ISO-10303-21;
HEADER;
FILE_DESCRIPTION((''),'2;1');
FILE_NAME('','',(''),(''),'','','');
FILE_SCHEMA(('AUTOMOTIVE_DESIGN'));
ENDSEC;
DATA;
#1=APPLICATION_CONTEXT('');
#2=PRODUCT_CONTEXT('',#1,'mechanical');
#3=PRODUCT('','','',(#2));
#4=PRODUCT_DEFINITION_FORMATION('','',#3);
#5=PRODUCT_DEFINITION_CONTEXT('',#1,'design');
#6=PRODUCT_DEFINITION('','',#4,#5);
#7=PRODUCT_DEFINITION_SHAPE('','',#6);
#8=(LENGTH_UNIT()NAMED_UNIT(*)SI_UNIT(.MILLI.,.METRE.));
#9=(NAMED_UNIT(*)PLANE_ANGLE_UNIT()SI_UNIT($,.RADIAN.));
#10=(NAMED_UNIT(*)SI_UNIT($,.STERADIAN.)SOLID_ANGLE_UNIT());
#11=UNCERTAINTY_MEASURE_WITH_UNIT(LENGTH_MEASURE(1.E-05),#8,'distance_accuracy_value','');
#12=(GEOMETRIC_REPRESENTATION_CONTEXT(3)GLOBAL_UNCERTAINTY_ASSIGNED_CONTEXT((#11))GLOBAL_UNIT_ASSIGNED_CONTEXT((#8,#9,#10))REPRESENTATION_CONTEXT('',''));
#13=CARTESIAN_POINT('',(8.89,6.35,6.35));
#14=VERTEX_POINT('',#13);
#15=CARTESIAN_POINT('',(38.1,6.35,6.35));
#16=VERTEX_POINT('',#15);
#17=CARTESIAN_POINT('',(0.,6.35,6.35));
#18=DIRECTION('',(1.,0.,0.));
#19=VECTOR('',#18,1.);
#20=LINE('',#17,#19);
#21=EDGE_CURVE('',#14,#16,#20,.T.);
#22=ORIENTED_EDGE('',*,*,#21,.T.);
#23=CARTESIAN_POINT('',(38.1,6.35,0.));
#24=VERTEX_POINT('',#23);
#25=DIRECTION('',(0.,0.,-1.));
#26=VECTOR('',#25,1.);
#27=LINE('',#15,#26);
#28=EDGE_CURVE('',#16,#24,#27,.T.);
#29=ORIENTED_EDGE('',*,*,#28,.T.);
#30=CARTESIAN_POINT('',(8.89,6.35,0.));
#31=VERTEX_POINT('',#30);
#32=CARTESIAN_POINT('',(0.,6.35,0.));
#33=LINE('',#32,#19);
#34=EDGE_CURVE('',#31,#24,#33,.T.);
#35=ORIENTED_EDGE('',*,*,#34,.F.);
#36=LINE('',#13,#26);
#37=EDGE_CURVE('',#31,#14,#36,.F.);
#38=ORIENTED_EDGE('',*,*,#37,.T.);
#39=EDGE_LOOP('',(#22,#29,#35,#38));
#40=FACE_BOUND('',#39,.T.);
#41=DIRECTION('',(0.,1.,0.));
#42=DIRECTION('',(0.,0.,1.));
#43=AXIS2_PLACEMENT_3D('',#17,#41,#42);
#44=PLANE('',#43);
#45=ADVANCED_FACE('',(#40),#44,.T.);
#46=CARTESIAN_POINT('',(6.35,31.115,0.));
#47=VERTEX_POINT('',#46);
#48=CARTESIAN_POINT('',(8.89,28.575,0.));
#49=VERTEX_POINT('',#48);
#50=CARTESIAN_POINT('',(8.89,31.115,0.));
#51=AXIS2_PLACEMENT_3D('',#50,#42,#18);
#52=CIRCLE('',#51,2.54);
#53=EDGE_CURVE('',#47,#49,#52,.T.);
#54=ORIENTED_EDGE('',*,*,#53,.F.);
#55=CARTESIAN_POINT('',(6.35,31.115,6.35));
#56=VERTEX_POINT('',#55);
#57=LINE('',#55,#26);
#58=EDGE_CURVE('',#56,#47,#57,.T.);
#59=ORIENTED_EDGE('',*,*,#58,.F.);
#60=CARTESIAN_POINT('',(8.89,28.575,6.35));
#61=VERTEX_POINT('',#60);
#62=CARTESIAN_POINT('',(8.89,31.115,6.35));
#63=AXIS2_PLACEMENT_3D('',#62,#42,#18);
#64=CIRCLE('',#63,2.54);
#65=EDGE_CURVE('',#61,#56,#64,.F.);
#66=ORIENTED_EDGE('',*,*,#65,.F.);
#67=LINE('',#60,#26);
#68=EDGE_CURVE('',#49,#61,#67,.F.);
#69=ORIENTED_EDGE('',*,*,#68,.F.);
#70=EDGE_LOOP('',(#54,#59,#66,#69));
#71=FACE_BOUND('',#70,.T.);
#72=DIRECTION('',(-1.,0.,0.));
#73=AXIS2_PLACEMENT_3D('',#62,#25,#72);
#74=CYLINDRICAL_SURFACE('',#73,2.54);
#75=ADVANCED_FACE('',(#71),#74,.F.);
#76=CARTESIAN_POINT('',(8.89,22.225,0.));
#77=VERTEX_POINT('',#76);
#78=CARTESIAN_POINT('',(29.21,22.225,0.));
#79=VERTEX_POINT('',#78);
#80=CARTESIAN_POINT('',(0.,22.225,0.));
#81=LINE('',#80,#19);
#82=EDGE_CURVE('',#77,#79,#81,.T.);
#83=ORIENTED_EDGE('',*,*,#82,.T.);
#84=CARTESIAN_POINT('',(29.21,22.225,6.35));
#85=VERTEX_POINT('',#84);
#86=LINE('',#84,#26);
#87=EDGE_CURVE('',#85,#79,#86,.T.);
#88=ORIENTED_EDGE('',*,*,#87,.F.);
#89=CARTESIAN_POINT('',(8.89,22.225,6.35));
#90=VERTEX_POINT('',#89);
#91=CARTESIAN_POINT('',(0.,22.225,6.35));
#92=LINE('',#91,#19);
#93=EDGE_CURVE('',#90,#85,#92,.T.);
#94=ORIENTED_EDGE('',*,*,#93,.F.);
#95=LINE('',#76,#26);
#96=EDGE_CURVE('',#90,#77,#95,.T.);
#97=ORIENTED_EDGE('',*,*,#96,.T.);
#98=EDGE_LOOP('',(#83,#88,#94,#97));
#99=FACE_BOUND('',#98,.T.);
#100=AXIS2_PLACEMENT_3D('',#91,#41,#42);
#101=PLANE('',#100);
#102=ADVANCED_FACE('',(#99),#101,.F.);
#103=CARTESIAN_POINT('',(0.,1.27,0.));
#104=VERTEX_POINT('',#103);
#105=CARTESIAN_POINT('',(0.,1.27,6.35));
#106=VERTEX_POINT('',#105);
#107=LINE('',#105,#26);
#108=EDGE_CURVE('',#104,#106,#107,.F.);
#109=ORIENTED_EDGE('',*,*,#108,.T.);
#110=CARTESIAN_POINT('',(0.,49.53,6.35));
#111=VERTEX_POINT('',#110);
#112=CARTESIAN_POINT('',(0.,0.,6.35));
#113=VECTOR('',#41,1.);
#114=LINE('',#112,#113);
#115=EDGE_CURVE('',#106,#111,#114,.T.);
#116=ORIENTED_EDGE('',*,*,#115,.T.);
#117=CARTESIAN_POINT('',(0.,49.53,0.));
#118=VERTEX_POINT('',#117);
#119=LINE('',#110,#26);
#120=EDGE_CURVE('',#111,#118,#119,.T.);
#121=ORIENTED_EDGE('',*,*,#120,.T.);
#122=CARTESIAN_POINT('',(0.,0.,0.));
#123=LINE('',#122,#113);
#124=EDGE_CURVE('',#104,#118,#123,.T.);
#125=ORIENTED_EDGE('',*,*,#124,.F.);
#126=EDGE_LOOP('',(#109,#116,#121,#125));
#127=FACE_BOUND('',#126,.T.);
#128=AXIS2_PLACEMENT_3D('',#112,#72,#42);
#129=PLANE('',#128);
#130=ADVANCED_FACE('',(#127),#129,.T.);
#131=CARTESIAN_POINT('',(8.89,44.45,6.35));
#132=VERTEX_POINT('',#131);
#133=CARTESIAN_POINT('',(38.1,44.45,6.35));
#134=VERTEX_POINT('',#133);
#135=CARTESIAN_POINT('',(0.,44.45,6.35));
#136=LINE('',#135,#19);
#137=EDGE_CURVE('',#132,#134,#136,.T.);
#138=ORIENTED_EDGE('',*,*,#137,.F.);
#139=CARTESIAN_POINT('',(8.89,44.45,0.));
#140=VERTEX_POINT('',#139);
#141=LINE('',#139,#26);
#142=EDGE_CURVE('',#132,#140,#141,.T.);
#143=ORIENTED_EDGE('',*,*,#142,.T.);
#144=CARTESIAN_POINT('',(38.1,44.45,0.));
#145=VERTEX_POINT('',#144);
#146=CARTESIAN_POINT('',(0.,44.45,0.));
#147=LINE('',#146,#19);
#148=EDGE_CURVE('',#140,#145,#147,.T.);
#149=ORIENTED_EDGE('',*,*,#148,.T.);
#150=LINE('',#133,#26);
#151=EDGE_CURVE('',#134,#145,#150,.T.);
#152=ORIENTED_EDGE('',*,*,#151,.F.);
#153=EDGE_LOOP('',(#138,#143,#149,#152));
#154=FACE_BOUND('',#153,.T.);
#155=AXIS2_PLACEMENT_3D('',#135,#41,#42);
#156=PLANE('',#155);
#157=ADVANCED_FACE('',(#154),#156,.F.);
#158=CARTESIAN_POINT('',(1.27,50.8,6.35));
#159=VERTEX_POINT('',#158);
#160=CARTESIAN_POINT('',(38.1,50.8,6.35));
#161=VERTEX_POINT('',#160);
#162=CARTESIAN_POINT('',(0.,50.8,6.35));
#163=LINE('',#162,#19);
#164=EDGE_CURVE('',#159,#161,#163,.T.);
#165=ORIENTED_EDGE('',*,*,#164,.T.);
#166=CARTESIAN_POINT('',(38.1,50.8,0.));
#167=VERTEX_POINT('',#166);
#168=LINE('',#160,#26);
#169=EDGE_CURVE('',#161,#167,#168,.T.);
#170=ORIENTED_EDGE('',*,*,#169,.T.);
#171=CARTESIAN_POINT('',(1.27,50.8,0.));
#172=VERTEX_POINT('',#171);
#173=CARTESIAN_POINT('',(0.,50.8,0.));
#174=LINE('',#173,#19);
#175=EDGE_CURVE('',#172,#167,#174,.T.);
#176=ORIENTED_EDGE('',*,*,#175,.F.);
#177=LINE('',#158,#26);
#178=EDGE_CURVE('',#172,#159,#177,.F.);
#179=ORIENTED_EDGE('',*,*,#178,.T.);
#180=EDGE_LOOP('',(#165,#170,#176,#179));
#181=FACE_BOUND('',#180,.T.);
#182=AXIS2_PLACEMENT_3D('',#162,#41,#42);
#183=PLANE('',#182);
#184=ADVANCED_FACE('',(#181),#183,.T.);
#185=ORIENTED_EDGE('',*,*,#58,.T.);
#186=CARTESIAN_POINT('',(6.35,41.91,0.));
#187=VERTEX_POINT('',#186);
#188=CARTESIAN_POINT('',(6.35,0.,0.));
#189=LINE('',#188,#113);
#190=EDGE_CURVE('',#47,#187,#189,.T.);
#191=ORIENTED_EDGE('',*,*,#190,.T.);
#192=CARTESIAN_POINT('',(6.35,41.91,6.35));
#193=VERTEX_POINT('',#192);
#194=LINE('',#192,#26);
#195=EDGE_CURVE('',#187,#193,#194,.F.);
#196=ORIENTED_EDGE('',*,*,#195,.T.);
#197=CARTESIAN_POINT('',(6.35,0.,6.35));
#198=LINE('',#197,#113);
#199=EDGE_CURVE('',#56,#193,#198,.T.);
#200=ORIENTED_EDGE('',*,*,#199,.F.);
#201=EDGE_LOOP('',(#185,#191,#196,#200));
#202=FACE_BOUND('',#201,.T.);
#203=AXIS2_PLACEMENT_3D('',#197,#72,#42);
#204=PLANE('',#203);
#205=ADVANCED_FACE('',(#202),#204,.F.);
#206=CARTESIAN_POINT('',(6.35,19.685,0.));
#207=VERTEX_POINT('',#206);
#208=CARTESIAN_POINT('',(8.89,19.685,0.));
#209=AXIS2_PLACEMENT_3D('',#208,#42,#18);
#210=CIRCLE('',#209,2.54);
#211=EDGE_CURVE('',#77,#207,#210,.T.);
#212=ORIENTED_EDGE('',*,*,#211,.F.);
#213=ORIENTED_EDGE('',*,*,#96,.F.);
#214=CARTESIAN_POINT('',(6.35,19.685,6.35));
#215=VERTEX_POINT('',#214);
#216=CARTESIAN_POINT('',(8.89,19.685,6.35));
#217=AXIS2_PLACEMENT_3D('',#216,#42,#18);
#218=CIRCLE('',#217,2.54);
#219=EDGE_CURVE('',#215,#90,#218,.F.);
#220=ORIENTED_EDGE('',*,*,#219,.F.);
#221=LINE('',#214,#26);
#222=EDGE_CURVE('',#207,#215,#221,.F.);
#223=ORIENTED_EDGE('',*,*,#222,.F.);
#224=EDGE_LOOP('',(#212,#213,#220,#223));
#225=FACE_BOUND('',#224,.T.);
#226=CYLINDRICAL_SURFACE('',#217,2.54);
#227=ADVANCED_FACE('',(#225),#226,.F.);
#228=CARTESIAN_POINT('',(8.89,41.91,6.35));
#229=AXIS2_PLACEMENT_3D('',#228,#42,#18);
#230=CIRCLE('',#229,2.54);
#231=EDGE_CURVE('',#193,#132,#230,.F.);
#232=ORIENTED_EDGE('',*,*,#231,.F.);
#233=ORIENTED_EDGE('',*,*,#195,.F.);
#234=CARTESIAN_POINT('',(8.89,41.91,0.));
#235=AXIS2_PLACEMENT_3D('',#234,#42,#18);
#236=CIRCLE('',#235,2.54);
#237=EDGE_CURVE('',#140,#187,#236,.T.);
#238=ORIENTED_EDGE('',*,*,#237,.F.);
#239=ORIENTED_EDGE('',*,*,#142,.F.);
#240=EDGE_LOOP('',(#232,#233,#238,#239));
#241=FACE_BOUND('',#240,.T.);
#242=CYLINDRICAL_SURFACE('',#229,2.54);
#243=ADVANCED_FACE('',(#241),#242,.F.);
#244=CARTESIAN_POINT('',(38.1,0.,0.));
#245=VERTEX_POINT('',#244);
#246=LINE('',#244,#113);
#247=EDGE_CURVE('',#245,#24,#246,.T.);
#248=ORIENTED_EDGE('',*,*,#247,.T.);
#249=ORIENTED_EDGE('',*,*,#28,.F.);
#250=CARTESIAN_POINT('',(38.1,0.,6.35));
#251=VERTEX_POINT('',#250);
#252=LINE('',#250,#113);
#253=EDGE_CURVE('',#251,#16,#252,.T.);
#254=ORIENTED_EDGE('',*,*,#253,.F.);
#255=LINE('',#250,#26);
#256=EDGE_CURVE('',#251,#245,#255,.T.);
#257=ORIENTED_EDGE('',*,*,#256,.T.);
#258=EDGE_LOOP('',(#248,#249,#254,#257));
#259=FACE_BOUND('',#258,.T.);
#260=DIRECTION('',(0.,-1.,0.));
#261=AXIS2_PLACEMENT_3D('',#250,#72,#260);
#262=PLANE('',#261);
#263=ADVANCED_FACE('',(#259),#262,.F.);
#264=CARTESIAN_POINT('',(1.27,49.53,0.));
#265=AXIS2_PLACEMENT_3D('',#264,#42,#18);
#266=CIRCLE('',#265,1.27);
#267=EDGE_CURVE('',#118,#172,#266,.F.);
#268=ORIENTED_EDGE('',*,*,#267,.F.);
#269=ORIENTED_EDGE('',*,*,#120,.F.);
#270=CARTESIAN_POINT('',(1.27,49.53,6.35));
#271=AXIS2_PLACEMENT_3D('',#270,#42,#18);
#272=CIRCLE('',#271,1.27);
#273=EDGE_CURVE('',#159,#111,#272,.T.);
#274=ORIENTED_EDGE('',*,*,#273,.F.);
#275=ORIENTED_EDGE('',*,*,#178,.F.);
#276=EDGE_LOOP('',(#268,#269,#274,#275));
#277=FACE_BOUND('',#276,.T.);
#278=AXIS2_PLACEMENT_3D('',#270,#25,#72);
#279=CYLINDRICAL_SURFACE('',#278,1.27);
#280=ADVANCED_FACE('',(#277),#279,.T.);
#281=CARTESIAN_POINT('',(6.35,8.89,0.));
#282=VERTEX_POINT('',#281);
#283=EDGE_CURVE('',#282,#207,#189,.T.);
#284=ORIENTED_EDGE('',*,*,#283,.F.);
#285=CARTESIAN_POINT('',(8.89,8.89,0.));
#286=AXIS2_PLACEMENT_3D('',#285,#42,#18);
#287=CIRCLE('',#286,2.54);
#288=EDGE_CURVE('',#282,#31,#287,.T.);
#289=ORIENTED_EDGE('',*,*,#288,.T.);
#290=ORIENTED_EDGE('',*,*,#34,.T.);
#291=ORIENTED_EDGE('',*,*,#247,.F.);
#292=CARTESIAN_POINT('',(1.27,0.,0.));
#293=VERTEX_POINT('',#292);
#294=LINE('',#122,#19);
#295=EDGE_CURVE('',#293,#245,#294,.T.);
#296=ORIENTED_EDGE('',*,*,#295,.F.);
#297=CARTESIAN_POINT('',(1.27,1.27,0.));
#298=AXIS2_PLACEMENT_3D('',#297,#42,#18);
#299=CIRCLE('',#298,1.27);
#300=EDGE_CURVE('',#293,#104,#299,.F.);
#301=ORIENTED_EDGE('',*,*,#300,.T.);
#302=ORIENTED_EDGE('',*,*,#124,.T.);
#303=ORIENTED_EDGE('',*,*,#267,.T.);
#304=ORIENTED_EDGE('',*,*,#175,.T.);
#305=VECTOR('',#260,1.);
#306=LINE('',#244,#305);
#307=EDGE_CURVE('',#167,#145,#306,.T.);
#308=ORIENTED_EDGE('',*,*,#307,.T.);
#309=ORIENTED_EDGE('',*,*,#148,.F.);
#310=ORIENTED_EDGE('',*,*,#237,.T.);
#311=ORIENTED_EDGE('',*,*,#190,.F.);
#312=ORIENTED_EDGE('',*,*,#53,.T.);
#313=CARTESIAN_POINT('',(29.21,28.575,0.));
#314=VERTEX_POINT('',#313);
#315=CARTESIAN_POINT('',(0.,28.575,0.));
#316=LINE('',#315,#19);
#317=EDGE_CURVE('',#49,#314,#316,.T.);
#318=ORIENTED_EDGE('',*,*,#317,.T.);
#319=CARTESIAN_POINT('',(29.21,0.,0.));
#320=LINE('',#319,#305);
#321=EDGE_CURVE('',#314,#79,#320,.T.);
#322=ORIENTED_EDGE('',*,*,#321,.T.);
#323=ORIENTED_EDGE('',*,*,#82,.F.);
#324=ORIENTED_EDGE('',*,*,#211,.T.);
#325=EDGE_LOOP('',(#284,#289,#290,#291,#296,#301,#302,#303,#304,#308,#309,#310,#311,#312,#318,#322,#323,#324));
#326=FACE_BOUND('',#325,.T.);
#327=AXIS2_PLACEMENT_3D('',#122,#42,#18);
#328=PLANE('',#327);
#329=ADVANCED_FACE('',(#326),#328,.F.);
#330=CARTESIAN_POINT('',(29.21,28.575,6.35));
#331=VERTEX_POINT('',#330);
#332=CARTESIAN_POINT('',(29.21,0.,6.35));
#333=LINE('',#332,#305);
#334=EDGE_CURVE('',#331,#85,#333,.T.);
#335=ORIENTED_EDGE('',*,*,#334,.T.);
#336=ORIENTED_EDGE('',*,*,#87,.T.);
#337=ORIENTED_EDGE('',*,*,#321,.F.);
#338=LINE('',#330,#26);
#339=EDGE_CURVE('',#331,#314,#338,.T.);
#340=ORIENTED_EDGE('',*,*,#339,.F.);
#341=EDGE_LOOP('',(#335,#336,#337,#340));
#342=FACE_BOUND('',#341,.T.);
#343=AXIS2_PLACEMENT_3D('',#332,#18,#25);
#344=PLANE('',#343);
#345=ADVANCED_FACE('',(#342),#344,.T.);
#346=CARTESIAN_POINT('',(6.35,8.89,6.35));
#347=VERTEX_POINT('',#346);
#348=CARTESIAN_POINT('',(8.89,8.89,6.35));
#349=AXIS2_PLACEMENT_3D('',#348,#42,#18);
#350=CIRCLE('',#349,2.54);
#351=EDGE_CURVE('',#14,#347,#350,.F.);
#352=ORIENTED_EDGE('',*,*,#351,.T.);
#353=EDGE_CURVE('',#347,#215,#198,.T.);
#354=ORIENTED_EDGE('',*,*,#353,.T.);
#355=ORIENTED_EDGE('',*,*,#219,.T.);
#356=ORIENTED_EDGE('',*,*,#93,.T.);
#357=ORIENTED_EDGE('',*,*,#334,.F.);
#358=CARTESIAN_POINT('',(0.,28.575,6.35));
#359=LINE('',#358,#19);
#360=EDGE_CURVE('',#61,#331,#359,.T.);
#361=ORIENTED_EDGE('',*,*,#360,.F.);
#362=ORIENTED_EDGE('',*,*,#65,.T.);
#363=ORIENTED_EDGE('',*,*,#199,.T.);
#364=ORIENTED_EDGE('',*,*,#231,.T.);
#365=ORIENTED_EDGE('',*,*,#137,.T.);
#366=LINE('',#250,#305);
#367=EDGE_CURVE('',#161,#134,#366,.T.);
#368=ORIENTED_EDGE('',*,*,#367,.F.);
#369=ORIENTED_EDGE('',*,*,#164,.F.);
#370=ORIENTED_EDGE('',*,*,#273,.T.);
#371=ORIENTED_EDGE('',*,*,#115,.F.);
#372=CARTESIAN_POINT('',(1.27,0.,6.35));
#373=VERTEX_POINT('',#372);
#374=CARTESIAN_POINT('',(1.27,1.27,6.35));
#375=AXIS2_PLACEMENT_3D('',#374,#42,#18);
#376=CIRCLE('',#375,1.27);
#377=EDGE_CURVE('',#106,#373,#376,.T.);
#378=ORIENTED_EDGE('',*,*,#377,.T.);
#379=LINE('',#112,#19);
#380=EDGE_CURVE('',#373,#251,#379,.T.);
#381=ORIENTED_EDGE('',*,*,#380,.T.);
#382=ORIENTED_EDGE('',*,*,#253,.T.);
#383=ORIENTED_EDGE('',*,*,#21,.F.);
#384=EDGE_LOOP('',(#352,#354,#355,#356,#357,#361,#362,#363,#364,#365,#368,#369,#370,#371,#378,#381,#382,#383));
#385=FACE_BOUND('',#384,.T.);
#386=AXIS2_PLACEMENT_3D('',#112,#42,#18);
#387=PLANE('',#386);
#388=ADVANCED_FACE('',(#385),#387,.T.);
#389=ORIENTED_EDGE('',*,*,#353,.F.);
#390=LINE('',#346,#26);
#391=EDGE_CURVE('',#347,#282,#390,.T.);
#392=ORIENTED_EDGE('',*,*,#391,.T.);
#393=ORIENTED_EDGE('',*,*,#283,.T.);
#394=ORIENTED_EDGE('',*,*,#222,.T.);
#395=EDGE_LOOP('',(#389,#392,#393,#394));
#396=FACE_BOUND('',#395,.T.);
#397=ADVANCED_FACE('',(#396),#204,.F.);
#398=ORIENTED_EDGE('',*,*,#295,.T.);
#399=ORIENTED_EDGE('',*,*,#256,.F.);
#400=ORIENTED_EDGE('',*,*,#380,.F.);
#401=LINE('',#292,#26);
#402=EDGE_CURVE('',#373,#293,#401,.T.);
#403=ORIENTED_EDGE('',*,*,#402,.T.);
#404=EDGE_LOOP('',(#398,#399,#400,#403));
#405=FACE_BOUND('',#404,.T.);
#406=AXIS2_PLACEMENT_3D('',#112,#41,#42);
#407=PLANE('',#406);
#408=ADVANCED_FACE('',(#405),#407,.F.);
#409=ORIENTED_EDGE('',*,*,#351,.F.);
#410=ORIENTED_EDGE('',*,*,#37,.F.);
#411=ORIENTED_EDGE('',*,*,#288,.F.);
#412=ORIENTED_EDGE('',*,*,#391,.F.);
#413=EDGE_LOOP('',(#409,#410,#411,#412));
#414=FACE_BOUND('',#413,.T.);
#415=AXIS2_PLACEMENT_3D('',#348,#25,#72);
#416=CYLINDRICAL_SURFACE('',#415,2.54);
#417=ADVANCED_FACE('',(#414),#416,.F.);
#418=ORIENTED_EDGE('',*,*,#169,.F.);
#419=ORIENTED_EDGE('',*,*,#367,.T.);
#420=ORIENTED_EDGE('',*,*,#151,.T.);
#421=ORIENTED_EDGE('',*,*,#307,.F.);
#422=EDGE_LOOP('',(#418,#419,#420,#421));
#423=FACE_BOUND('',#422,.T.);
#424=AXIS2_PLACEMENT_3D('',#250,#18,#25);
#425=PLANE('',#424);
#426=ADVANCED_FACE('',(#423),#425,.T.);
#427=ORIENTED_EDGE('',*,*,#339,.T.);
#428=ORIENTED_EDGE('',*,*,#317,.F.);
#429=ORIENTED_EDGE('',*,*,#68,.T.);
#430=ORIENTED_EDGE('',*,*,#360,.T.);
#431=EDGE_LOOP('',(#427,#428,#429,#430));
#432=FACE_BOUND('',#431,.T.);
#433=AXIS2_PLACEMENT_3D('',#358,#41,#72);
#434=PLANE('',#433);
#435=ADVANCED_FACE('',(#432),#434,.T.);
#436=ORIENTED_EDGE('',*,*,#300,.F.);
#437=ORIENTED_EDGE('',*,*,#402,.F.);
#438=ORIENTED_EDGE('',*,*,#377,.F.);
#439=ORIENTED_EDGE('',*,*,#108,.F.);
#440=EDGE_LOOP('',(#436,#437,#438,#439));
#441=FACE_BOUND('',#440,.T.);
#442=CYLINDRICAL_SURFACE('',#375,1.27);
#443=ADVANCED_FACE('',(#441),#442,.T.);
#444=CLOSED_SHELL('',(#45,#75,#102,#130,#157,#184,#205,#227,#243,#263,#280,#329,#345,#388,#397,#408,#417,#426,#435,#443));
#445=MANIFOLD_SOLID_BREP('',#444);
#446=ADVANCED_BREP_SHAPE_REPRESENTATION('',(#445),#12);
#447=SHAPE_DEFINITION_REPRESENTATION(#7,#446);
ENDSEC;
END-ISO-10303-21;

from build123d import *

# Parameters (mm, degrees)
SKETCH1_W           = 31.75
SKETCH1_H           = 6.35
SKETCH1_W_2         = 6.35
SKETCH1_H_2         = 50.8
SKETCH1_W_3         = 22.86
BOSS_EXTRUDE1_DEPTH = 6.35
FILLET1_R           = 2.54
FILLET2_R           = 1.27


with BuildPart() as part:
    # Sketch1 → Boss-Extrude1 (new body)
    with BuildSketch(Plane.XY):
        with Locations((22.225, 47.625)):
            Rectangle(SKETCH1_W, SKETCH1_H)
        with Locations((3.175, 25.4)):
            Rectangle(SKETCH1_W_2, SKETCH1_H_2)
        with Locations((17.78, 25.4)):
            Rectangle(SKETCH1_W_3, SKETCH1_H)
        with Locations((22.225, 3.175)):
            Rectangle(SKETCH1_W, SKETCH1_H)
    extrude(amount=BOSS_EXTRUDE1_DEPTH)

    # Fillet1
    fillet1_edges = [part.edges().sort_by_distance(p)[0] for p in [
        (6.35, 44.45, 3.175),
        (6.35, 28.575, 3.175),
        (6.35, 22.225, 3.175),
        (6.35, 6.35, 3.175),
    ]]
    fillet(fillet1_edges, radius=FILLET1_R)

    # Fillet2
    fillet2_edges = [part.edges().sort_by_distance(p)[0] for p in [
        (0, 0, 3.175),
        (0, 50.8, 3.175),
    ]]
    fillet(fillet2_edges, radius=FILLET2_R)


solid = part.part
